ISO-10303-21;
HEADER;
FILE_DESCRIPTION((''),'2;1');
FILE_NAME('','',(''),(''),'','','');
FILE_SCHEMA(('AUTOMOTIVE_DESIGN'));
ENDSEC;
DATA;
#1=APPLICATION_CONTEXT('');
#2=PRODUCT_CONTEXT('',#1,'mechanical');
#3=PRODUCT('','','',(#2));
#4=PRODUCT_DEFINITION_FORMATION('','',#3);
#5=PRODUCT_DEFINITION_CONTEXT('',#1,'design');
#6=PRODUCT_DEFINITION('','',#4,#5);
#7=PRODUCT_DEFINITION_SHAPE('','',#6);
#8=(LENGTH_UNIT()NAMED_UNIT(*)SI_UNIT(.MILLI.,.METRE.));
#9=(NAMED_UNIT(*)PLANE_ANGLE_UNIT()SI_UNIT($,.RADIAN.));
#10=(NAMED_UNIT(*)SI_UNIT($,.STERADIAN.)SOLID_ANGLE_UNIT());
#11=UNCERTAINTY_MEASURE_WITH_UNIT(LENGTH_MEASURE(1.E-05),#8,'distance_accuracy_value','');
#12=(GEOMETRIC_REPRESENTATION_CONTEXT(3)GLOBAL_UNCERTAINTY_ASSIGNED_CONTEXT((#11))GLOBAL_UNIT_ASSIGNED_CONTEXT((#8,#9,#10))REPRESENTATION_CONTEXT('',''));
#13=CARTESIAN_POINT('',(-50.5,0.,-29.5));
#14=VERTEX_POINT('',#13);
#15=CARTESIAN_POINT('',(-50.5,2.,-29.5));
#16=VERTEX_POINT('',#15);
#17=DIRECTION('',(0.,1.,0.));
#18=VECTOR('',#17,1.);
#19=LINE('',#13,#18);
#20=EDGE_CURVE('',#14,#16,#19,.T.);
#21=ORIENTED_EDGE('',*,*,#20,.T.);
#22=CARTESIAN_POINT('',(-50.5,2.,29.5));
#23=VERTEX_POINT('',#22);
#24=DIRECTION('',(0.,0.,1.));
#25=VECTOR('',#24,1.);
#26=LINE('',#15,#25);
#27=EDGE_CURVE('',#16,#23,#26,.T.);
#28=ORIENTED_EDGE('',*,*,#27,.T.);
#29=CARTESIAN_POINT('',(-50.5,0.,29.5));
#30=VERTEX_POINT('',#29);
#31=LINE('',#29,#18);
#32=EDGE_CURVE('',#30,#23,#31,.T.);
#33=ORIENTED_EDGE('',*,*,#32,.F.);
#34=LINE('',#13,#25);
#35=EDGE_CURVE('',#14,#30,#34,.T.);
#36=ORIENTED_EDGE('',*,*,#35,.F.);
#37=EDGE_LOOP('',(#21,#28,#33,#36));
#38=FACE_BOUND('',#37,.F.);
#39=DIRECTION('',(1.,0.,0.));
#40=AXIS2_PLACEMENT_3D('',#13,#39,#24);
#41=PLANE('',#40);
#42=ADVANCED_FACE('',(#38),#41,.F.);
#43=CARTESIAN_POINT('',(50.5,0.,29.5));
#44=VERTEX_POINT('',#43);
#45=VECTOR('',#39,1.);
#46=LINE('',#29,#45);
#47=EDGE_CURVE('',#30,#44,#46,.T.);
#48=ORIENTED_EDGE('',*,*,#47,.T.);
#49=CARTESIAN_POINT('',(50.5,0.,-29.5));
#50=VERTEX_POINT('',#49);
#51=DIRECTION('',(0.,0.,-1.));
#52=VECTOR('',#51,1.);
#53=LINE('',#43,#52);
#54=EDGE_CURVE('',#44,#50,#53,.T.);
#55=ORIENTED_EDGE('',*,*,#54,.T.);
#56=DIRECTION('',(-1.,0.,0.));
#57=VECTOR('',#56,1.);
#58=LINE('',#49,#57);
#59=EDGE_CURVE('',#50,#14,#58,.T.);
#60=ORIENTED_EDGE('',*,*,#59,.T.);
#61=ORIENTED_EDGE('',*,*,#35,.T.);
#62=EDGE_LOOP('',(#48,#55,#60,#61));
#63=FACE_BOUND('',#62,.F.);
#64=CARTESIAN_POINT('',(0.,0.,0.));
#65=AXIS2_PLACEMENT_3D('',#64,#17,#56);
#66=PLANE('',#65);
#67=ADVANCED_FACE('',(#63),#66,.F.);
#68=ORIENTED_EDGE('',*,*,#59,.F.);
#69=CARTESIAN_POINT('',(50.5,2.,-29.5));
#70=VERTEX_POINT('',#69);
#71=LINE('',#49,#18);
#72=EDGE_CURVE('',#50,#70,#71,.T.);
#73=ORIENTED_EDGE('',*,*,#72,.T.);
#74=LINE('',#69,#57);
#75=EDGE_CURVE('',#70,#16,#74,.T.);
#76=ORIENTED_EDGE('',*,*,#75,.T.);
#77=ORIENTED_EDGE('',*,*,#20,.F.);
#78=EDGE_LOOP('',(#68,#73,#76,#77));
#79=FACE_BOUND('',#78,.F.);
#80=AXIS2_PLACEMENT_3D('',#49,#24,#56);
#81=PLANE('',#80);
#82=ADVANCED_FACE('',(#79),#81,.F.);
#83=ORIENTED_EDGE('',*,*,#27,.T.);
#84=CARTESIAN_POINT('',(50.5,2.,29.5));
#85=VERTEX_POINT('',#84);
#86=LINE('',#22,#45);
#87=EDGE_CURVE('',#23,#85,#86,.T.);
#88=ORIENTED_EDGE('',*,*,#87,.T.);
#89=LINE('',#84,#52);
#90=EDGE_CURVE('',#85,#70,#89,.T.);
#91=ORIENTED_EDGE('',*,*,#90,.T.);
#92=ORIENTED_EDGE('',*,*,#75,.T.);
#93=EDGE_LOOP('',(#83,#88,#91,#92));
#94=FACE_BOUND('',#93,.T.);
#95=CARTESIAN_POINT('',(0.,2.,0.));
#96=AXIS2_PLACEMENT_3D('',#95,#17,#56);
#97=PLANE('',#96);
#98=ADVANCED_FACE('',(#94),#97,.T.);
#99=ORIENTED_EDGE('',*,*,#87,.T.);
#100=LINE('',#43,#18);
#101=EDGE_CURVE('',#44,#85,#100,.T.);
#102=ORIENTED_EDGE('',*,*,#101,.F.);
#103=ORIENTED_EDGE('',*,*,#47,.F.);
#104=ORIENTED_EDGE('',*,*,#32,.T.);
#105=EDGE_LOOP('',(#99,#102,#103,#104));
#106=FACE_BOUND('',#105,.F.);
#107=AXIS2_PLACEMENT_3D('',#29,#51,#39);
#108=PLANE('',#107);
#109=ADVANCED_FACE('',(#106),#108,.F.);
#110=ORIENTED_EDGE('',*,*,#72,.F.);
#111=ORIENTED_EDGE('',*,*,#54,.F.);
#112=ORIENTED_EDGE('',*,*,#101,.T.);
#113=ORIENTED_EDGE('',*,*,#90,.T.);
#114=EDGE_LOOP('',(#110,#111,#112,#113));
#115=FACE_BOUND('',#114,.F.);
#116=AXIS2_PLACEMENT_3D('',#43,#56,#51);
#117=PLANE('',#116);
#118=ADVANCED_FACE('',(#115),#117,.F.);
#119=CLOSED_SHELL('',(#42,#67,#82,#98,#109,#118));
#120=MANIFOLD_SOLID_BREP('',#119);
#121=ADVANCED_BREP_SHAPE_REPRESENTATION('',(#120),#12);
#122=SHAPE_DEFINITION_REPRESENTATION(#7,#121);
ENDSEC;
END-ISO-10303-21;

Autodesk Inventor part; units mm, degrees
ref_plane "YZ Plane" through (0, 0, 0) normal (1, 0, 0) x (0, 1, 0)
ref_plane "XZ Plane" through (0, 0, 0) normal (0, 1, 0) x (-1, 0, 0)
ref_plane "XY Plane" through (0, 0, 0) normal (0, 0, 1) x (1, 0, 0)
sketch "Sketch1" plane through (0, 0, 0) normal (0, 1, 0) x (-1, 0, 0)
  line L0 (-50.5, -29.5) -> (50.5, -29.5)
  line L1 (50.5, -29.5) -> (50.5, 29.5)
  line L2 (50.5, 29.5) -> (-50.5, 29.5)
  line L3 (-50.5, 29.5) -> (-50.5, -29.5)
  line L4 (-50.5, -29.5) -> (50.5, 29.5) construction
  line L5 (50.5, -29.5) -> (-50.5, 29.5) construction
  point P0 (0, 0)
  dimension "d0" = 101
  dimension "d1" = 59
extrude "Extrusion1" add sketch "Sketch1" along normal blind 2
properties part number "Lag5"
